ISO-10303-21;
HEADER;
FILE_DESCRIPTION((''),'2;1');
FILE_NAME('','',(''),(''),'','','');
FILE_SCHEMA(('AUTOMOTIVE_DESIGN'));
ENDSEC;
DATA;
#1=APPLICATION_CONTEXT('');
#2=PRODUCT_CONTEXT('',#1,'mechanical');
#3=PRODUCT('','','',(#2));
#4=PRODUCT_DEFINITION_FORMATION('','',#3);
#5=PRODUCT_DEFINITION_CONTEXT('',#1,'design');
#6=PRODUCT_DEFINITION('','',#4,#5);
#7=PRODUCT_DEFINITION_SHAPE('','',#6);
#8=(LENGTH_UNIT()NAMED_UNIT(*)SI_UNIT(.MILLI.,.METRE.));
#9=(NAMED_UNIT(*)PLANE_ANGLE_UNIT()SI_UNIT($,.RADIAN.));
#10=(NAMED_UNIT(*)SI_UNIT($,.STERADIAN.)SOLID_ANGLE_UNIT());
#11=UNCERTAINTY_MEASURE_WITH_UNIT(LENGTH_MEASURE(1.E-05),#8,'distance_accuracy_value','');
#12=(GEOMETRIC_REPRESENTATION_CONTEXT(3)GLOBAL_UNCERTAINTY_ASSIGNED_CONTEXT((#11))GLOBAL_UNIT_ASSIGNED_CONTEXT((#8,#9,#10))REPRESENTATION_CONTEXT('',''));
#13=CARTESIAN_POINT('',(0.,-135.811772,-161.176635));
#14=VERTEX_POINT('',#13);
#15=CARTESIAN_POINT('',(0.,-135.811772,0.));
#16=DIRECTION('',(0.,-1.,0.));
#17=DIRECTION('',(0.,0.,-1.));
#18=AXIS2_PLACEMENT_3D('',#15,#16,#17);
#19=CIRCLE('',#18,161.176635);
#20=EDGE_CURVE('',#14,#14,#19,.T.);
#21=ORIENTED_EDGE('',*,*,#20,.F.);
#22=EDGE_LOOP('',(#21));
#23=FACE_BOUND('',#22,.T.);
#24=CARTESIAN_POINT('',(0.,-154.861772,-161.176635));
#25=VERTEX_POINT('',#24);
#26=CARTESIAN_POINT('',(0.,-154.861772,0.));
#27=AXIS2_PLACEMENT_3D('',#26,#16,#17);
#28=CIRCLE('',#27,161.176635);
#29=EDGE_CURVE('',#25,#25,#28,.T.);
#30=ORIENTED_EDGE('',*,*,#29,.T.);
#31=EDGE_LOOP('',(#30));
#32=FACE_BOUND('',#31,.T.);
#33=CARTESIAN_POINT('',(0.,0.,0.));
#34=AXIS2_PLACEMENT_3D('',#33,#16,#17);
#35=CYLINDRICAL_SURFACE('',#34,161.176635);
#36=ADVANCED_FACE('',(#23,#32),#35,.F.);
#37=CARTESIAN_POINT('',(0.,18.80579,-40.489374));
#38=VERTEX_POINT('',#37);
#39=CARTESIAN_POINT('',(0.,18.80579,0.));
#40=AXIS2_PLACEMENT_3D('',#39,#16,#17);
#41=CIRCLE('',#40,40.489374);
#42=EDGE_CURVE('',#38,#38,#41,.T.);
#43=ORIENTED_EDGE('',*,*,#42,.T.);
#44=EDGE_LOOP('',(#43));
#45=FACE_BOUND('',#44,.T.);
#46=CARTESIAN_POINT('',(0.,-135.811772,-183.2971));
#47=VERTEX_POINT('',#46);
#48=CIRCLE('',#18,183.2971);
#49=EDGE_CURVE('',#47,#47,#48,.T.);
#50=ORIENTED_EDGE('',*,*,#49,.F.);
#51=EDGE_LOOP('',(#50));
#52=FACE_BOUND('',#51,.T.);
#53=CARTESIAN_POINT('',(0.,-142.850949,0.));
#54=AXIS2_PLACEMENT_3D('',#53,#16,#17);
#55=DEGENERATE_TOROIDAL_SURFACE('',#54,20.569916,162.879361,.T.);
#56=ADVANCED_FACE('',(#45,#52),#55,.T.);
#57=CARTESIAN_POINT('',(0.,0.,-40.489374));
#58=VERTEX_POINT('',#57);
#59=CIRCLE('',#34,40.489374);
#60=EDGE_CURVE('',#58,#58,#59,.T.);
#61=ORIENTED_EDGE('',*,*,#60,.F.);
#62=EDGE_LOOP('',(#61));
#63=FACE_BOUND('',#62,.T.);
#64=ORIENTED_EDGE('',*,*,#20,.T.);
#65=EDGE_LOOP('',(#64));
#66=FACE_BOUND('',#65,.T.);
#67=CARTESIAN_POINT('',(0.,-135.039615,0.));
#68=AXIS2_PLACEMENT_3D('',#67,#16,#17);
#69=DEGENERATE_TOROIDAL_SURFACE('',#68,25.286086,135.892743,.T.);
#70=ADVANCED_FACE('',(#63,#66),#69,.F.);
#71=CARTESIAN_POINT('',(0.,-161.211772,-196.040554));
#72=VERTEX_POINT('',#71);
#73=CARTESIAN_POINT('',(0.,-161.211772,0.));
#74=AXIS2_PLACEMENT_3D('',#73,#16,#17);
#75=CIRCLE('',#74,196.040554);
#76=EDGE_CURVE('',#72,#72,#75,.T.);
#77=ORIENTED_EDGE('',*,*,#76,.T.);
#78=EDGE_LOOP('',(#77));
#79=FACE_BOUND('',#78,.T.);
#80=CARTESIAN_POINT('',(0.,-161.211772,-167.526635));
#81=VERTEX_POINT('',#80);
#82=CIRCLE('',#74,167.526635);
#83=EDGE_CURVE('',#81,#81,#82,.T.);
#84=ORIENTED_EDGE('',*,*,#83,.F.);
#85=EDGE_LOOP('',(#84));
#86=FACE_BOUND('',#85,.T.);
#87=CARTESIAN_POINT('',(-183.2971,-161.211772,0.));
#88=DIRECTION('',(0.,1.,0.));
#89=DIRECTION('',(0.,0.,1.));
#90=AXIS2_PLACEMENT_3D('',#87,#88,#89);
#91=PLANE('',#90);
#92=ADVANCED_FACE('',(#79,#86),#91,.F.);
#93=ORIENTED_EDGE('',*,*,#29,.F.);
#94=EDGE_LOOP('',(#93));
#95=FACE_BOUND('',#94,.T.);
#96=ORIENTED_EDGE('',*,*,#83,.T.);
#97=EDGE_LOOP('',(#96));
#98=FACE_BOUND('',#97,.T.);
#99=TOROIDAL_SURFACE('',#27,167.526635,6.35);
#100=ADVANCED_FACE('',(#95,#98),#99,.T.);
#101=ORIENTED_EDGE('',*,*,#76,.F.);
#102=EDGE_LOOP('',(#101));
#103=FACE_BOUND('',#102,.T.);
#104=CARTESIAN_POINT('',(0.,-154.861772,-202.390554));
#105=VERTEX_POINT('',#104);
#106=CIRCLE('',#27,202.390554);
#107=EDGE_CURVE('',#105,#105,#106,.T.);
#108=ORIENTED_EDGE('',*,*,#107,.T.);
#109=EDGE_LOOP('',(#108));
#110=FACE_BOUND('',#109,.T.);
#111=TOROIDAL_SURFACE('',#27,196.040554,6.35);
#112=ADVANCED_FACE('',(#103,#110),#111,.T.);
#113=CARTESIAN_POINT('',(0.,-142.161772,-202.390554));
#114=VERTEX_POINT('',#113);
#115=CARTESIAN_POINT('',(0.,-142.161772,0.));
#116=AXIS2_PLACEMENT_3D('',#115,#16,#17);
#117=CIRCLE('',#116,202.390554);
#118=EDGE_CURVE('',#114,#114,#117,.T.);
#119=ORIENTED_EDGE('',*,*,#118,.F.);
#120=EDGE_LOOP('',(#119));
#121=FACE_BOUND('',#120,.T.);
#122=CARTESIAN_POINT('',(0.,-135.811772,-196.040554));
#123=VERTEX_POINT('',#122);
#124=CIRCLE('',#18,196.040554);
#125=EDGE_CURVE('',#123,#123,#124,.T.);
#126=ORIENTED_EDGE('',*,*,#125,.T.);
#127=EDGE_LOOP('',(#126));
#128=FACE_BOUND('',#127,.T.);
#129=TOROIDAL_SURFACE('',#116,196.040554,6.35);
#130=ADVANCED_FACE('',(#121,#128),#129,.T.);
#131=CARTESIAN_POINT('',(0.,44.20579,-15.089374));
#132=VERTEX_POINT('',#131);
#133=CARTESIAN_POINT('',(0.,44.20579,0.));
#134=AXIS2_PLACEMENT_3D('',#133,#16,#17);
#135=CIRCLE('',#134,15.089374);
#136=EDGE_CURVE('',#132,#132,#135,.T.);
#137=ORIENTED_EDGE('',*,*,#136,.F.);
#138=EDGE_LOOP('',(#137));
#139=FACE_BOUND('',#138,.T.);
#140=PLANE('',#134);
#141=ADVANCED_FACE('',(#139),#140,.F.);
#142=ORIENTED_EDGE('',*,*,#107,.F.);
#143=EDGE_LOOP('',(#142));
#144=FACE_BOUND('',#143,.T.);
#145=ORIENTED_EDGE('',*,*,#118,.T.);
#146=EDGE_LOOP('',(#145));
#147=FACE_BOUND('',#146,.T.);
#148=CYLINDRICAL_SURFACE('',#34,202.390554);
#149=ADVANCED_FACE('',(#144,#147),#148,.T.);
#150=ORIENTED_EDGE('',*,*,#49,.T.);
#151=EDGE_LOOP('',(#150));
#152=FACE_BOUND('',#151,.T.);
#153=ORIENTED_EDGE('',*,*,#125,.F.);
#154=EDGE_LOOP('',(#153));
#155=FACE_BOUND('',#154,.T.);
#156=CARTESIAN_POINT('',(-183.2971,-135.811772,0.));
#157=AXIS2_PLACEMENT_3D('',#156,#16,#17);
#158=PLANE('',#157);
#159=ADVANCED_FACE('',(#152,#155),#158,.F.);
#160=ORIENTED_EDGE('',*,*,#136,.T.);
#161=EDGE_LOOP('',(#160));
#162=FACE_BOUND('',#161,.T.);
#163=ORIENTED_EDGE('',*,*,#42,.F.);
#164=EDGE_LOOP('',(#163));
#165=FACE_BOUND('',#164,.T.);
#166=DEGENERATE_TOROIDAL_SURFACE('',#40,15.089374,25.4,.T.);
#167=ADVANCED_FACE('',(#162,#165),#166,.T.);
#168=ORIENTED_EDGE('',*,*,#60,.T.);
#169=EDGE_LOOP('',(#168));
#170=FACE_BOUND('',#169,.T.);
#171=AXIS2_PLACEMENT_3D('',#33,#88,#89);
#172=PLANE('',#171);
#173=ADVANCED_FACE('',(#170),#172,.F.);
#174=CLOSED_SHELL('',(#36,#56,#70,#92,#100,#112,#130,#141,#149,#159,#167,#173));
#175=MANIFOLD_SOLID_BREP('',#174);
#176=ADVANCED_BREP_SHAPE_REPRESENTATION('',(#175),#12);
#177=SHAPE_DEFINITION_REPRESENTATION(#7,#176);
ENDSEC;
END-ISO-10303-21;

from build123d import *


with BuildPart() as part:
    # Sketch1 → Revolve1 (revolve)
    with BuildSketch(Plane.XY):
        with BuildLine():
            Line((-183.297099868, -161.21177156), (-167.526635099, -161.21177156))
            ThreePointArc((-167.526635099, -161.21177156), (-163.036507039, -159.351899621), (-161.176635099, -154.86177156))
            Line((-161.176635099, -154.86177156), (-161.176635099, -135.81177156))
            ThreePointArc((-161.176635099, -135.81177156), (-126.866331393, -44.771728432), (-40.489374244, 0))
            Line((-40.489374244, 0), (0, 0))
            Line((0, 0), (0, 44.205790237))
            Line((0, 44.205790237), (-15.089374244, 44.205790237))
            ThreePointArc((-15.089374244, 44.205790237), (-33.049886486, 36.766302479), (-40.489374244, 18.805790237))
            ThreePointArc((-40.489374244, 18.805790237), (-140.22189718, -32.338100495), (-183.297099868, -135.81177156))
            Line((-183.297099868, -135.81177156), (-196.040553668, -135.81177156))
            ThreePointArc((-196.040553668, -135.81177156), (-200.530681729, -137.671643499), (-202.390553668, -142.16177156))
            Line((-202.390553668, -142.16177156), (-202.390553668, -154.86177156))
            ThreePointArc((-202.390553668, -154.86177156), (-200.530681729, -159.351899621), (-196.040553668, -161.21177156))
            Line((-196.040553668, -161.21177156), (-183.297099868, -161.21177156))
        make_face()
    revolve(axis=Axis((0, 0, 0), (0, 1, 0)))


solid = part.part
